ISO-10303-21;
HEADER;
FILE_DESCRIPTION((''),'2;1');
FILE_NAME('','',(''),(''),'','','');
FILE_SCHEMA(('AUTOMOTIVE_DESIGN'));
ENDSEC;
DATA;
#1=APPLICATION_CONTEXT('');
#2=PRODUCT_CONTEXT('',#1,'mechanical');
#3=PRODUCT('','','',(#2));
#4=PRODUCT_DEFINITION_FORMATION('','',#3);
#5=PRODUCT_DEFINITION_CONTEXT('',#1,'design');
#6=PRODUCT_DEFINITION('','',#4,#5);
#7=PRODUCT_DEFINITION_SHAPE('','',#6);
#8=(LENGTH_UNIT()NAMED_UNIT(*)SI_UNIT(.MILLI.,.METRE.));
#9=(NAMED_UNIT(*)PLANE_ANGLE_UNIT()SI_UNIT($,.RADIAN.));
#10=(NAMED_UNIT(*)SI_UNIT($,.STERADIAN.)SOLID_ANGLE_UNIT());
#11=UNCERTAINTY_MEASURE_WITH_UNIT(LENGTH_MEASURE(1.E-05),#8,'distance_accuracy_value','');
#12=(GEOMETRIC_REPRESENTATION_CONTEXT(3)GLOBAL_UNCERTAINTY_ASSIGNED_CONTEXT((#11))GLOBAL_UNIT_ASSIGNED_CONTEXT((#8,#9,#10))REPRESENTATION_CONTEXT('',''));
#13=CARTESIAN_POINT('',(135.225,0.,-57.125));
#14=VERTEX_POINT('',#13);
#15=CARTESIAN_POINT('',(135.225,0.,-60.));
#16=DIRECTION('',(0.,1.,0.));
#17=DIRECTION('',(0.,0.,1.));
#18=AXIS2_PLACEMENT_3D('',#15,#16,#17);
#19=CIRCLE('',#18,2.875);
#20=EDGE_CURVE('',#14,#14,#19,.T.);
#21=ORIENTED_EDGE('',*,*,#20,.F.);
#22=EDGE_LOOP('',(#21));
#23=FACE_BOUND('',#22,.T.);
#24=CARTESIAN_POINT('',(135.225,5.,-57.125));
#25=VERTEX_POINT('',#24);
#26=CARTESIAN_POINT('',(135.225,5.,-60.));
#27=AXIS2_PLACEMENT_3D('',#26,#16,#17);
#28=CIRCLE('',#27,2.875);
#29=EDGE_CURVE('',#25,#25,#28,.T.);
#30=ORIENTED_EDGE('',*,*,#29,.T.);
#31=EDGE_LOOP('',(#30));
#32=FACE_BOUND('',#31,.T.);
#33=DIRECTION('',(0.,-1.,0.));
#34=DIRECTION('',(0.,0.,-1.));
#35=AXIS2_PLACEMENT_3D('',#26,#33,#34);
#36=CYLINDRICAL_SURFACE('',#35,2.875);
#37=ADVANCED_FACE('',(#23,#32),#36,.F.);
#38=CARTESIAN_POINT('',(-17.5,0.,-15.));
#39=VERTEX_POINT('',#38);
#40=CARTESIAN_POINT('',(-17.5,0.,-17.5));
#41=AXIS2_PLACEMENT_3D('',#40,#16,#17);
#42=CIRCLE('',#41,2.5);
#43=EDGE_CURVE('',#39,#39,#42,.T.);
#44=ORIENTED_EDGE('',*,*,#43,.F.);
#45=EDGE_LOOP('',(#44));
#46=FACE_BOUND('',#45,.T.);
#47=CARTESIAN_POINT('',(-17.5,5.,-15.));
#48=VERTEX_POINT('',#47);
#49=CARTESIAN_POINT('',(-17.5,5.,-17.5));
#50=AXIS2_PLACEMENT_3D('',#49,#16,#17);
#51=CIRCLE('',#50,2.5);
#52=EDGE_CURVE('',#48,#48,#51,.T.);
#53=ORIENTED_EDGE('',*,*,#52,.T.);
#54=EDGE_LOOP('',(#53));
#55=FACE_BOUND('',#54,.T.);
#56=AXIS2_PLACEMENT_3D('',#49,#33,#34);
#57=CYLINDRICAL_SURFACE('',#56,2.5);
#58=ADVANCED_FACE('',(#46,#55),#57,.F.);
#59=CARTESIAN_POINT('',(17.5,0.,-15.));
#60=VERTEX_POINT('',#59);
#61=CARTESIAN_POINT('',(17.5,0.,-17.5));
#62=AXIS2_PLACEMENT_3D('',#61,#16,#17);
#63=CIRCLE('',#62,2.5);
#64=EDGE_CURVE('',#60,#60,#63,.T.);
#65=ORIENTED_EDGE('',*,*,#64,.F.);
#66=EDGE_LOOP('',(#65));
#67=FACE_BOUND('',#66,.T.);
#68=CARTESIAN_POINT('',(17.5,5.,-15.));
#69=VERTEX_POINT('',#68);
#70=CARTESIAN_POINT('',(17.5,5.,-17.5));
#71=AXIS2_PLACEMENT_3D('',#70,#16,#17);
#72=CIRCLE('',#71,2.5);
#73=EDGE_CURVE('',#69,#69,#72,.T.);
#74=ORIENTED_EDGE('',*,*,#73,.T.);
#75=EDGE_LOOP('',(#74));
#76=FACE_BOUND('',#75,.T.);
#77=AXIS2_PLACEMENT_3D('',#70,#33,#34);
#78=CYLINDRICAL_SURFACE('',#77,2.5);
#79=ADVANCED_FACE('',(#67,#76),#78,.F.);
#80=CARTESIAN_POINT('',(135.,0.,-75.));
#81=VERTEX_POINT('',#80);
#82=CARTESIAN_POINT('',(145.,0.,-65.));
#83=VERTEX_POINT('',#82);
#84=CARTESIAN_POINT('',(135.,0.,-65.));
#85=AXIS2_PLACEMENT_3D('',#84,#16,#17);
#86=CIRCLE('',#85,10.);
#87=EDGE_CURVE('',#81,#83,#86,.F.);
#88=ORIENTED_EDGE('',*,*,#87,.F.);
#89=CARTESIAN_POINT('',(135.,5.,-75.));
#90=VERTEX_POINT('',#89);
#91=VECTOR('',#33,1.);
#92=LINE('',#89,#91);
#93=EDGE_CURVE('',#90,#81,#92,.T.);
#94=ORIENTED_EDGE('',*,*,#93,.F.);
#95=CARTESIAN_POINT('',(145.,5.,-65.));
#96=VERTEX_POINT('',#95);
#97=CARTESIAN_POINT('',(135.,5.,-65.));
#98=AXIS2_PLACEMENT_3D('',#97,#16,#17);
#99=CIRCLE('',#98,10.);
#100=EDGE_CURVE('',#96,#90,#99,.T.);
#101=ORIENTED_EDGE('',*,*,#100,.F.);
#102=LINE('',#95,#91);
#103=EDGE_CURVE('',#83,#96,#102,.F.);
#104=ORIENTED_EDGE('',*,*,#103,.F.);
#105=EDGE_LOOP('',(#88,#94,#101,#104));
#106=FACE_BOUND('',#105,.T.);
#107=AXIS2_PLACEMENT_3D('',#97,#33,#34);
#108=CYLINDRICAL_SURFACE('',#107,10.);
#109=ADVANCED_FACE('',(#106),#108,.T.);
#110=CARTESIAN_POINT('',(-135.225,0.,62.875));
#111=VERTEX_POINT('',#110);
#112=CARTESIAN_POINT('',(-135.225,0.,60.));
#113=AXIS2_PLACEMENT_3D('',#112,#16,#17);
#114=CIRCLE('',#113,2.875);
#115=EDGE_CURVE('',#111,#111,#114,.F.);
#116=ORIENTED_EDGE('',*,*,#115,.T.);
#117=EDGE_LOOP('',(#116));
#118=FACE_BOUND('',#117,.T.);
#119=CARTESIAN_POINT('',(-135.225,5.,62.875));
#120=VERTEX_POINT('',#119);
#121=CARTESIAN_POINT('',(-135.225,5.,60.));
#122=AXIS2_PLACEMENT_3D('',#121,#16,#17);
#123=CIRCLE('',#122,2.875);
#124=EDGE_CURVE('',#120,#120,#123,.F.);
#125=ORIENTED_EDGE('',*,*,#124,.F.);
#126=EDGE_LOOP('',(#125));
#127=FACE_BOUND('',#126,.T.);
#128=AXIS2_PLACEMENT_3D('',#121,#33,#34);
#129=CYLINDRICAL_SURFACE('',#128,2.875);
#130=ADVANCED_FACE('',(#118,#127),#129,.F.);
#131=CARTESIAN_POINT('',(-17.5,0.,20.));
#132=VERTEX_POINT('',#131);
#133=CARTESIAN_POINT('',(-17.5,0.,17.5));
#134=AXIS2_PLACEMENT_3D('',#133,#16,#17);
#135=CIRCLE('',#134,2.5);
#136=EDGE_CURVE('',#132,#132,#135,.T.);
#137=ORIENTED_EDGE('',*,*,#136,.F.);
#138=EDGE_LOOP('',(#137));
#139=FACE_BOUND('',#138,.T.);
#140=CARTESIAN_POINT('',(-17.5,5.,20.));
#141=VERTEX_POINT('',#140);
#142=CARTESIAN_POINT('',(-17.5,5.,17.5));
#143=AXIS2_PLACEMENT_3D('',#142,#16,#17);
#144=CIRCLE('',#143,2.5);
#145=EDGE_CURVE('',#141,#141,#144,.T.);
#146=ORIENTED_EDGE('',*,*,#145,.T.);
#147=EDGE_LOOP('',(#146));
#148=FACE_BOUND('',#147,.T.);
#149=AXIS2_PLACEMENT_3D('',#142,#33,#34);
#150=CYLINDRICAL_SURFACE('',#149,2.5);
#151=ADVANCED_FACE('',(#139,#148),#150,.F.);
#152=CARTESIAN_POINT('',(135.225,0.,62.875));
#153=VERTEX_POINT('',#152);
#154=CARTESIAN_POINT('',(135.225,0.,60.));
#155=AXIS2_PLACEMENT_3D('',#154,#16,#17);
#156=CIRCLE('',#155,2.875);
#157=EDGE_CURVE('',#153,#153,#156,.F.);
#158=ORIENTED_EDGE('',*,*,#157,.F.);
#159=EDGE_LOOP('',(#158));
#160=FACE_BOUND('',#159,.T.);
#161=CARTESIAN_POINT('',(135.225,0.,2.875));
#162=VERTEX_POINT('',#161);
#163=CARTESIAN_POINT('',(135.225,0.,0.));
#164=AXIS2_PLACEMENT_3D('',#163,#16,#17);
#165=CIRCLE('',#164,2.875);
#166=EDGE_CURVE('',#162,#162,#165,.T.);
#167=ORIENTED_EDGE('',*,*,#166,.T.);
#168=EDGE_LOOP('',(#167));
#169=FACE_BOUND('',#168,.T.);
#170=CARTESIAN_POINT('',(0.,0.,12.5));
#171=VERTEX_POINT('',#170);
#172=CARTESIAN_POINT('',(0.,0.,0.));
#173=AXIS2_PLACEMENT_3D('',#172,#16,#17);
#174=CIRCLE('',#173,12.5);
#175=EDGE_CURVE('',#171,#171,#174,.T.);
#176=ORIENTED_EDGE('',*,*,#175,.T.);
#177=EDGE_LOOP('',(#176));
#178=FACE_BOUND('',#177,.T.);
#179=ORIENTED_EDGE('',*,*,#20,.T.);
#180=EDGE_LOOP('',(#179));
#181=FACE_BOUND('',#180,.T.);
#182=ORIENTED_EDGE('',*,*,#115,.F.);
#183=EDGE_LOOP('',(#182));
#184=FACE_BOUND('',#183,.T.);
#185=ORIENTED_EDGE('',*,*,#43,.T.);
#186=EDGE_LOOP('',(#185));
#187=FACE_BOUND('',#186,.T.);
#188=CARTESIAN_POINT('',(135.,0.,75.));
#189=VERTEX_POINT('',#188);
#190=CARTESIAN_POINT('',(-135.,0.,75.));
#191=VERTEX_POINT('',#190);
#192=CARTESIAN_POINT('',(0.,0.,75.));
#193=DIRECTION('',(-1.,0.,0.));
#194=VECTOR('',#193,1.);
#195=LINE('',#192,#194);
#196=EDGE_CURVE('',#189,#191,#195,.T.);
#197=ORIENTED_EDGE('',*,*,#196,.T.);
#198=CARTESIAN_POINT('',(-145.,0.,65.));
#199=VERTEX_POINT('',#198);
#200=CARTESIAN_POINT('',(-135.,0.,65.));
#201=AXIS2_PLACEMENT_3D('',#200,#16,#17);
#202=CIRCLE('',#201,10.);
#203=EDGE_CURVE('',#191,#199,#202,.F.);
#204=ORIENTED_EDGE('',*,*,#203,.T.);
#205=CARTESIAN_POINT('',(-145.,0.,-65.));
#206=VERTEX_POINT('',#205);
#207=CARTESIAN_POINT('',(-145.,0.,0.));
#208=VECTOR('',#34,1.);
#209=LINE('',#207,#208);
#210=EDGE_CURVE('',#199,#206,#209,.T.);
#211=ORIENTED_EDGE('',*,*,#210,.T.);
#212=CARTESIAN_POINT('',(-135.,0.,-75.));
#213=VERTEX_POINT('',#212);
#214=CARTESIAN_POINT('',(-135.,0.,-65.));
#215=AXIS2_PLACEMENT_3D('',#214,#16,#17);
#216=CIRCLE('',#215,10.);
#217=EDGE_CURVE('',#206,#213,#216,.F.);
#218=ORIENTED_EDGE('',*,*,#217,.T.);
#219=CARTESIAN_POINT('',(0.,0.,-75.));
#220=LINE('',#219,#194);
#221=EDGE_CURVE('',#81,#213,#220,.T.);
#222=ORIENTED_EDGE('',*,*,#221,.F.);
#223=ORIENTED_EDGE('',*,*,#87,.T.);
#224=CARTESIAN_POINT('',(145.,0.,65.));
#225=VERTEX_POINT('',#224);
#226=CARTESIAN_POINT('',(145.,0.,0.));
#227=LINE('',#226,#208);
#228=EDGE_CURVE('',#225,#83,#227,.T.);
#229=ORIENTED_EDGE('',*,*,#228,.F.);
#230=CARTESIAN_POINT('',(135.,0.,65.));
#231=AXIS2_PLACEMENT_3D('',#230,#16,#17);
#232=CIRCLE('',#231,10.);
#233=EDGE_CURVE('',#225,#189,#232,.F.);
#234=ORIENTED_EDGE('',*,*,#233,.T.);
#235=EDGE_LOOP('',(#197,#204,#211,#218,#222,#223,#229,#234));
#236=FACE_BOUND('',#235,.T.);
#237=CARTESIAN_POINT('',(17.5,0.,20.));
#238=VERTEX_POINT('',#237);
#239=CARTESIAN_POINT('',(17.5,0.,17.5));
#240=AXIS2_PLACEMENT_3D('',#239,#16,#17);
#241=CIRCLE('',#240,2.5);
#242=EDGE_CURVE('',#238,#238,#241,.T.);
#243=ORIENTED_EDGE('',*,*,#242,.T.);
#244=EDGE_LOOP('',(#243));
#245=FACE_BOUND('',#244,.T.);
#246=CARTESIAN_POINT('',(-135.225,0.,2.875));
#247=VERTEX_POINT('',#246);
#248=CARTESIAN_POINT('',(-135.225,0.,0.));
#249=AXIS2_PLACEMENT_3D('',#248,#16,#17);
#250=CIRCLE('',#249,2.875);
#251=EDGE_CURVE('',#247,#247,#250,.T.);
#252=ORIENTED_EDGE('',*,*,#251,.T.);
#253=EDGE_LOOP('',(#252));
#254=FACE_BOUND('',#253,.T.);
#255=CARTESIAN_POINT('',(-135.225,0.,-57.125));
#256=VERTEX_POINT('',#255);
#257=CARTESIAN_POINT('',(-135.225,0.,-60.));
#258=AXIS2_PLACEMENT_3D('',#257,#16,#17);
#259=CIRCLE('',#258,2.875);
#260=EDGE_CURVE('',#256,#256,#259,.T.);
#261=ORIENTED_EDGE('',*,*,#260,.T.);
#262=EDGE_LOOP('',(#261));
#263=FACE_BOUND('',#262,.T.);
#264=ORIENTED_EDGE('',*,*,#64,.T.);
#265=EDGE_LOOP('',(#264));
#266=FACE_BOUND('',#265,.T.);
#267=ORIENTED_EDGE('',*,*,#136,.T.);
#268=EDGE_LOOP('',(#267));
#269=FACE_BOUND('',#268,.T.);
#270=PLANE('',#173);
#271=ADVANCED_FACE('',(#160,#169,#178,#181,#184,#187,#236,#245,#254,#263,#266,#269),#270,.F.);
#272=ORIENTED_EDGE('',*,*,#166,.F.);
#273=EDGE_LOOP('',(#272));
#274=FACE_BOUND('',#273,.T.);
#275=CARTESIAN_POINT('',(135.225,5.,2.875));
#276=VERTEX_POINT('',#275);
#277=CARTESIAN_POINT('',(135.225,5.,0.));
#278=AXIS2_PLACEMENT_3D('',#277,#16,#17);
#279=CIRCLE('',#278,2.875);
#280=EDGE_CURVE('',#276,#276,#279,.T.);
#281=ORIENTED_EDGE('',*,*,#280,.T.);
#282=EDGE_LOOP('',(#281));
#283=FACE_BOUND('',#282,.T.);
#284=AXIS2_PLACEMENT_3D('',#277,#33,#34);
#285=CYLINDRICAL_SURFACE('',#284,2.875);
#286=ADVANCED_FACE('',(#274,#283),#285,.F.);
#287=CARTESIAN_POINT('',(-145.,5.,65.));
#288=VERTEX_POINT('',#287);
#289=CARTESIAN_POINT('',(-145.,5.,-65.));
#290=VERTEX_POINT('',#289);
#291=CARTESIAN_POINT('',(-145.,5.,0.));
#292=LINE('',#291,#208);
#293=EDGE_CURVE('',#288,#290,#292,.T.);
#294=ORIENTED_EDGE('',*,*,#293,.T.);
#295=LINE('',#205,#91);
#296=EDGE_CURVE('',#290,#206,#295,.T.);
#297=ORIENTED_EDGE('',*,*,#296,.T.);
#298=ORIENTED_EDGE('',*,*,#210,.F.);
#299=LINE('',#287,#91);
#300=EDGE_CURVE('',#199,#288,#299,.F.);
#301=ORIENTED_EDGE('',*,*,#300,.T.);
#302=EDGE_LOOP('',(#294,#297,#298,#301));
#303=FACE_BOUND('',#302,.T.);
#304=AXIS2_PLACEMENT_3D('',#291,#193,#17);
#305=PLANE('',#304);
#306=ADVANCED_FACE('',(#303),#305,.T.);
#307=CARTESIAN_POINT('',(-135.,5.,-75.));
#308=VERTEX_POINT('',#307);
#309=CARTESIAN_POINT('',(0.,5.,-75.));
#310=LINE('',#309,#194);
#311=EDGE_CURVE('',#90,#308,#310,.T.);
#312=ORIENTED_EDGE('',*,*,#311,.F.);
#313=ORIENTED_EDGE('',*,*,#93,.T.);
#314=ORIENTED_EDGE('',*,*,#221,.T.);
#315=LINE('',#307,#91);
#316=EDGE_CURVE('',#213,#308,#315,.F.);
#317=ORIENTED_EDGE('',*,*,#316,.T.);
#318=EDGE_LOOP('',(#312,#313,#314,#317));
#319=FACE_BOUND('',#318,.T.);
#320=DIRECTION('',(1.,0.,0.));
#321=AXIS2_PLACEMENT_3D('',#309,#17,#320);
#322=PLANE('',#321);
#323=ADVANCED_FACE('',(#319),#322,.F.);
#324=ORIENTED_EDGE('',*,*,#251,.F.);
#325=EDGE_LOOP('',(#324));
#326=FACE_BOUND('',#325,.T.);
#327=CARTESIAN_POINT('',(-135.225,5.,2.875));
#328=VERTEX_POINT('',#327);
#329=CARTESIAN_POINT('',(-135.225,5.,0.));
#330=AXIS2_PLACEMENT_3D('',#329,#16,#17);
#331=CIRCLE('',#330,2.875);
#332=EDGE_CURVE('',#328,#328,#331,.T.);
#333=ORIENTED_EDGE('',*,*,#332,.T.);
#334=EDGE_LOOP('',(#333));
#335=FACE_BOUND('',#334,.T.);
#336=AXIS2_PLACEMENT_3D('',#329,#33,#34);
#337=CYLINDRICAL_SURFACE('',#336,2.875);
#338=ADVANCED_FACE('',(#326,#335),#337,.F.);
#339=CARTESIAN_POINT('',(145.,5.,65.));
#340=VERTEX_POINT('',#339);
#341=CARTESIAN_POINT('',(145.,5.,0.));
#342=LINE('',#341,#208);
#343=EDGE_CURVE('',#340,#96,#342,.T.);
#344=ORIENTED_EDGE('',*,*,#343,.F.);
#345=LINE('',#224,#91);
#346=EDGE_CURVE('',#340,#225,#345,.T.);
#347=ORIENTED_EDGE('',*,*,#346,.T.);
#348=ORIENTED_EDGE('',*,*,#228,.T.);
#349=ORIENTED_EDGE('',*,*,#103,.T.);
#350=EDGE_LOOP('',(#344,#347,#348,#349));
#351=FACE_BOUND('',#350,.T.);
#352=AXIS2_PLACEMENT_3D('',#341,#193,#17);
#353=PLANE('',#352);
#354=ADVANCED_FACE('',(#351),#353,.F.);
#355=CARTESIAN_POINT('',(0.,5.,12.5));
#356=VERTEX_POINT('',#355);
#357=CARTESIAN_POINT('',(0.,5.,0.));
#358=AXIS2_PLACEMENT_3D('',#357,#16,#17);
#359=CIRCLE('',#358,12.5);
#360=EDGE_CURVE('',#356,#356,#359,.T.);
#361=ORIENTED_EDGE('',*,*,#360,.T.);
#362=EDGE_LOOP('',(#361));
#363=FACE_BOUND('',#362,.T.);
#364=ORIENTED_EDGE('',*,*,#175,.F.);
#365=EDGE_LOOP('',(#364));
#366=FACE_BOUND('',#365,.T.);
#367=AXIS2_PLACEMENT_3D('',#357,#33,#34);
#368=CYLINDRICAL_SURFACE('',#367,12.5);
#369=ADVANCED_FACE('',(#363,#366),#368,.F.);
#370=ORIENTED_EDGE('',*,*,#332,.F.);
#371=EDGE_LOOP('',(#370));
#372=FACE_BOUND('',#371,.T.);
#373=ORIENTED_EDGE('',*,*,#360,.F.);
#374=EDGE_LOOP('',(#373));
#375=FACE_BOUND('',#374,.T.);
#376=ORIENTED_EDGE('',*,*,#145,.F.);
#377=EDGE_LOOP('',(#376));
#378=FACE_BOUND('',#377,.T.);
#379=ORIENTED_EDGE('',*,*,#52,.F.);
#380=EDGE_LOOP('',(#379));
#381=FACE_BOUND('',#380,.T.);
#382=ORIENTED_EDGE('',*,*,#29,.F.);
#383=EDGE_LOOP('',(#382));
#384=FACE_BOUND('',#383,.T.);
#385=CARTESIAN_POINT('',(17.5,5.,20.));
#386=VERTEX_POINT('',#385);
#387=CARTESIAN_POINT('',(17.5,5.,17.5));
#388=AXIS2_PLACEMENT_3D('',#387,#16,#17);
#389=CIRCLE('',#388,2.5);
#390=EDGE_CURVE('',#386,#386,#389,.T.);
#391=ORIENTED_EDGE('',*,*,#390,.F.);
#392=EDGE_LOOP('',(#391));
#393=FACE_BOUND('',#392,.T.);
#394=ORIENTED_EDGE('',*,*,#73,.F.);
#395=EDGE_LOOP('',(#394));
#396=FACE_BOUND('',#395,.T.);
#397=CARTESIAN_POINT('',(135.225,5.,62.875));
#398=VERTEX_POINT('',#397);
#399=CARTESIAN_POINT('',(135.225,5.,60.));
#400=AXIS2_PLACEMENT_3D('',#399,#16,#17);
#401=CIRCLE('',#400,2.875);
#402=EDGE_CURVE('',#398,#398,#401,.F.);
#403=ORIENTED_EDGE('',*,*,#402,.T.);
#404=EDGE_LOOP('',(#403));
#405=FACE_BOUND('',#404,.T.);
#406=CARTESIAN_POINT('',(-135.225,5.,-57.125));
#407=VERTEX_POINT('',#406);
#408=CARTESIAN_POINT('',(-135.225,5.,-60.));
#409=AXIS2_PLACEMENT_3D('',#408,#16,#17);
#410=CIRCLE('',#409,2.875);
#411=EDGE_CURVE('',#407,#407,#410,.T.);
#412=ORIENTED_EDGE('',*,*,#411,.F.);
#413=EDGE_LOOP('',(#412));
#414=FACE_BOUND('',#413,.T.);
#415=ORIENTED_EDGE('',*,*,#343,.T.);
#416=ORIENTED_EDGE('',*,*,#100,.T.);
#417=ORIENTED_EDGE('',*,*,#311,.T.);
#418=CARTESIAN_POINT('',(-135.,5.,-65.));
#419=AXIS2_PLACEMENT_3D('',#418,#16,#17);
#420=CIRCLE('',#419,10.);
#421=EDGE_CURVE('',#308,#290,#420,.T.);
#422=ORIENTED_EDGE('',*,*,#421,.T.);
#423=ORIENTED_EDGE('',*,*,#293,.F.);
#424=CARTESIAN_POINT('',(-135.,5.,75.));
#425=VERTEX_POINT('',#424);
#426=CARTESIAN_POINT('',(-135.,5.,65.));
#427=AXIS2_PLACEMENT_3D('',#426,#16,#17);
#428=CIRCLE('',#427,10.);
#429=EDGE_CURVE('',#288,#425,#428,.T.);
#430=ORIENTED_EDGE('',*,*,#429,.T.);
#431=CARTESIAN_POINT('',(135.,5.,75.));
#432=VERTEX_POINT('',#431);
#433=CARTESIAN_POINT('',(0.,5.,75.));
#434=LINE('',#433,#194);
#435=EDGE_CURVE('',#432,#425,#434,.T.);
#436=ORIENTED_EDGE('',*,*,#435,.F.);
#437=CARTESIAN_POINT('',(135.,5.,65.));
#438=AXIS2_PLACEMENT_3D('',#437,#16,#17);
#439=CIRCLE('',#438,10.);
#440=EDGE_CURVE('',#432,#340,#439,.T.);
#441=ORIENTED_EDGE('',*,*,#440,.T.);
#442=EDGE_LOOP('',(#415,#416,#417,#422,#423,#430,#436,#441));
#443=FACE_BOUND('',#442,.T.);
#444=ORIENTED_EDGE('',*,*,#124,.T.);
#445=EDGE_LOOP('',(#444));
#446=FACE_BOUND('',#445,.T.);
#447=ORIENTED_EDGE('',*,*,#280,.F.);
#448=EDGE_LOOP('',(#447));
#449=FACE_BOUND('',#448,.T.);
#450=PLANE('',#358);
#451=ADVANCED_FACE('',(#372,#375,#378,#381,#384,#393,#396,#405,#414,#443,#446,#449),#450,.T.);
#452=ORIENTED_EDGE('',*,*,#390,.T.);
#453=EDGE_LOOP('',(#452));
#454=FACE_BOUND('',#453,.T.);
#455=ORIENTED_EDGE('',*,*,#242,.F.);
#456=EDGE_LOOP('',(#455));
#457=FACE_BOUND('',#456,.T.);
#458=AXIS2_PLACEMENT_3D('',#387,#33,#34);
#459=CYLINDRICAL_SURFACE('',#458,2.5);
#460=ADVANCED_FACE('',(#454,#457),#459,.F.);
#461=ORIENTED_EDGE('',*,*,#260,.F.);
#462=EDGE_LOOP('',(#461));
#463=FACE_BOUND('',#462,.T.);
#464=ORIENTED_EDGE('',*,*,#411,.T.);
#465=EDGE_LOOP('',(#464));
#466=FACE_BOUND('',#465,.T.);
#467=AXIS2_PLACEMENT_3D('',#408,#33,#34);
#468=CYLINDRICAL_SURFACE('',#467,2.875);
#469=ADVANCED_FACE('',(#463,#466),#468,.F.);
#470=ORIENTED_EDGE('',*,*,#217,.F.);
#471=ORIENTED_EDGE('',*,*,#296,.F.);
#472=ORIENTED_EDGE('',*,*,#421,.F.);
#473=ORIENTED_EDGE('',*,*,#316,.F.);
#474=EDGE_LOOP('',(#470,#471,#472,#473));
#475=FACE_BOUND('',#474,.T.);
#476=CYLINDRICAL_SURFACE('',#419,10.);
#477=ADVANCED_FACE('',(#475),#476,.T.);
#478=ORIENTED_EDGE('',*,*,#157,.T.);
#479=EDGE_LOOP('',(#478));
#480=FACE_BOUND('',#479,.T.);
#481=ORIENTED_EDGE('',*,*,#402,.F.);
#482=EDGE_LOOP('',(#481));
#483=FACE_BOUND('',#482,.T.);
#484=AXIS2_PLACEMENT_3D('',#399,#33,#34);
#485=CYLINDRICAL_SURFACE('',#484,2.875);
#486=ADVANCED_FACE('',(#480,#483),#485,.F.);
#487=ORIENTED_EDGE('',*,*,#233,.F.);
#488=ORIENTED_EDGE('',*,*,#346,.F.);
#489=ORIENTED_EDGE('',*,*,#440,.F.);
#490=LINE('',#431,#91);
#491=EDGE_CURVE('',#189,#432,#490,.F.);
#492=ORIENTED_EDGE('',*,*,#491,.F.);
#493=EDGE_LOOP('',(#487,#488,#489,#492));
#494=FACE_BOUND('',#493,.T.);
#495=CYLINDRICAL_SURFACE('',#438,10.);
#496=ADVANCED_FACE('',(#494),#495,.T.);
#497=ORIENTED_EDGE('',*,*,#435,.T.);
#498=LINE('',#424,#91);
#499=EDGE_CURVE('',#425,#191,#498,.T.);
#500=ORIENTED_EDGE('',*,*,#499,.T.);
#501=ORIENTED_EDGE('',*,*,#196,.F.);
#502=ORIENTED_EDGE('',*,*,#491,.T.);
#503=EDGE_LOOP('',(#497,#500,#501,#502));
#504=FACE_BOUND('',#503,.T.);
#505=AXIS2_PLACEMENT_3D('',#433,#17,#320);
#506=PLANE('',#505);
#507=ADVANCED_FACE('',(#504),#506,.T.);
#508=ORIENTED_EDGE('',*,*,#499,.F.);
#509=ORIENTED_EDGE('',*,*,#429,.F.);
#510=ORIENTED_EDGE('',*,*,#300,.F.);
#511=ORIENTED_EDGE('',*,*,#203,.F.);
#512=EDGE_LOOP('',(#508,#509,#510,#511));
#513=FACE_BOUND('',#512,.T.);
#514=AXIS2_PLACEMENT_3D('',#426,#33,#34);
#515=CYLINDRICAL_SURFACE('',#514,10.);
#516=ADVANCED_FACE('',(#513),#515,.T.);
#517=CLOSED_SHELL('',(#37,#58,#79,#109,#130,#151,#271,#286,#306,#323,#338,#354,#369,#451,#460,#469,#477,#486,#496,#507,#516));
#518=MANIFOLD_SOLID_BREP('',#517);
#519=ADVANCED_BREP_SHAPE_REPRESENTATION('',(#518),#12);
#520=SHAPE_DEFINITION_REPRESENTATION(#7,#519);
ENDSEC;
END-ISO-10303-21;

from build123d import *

# Parameters (mm, degrees)
SKETCH1_W           = 290
SKETCH1_H           = 150
SKETCH1_R           = 2.875
SKETCH1_R_2         = 12.5
SKETCH1_R_3         = 2.5
BOSS_EXTRUDE2_DEPTH = 5
FILLET1_R           = 10


with BuildPart() as part:
    # Sketch1 → Boss-Extrude2 (new body)
    with BuildSketch(Plane(origin=(0, 0, 0), x_dir=(1, 0, 0), z_dir=(0, 1, 0))):
        Rectangle(SKETCH1_W, SKETCH1_H)
        with Locations((-135.225, 0)):
            Circle(SKETCH1_R, mode=Mode.SUBTRACT)
        with Locations((135.225, 0)):
            Circle(SKETCH1_R, mode=Mode.SUBTRACT)
        with Locations((135.225, 60)):
            Circle(SKETCH1_R, mode=Mode.SUBTRACT)
        with Locations((-135.225, 60)):
            Circle(SKETCH1_R, mode=Mode.SUBTRACT)
        with Locations((-135.225, -60)):
            Circle(SKETCH1_R, mode=Mode.SUBTRACT)
        with Locations((135.225, -60)):
            Circle(SKETCH1_R, mode=Mode.SUBTRACT)
        Circle(SKETCH1_R_2, mode=Mode.SUBTRACT)
        with Locations((-17.5, 17.5)):
            Circle(SKETCH1_R_3, mode=Mode.SUBTRACT)
        with Locations((17.5, 17.5)):
            Circle(SKETCH1_R_3, mode=Mode.SUBTRACT)
        with Locations((17.5, -17.5)):
            Circle(SKETCH1_R_3, mode=Mode.SUBTRACT)
        with Locations((-17.5, -17.5)):
            Circle(SKETCH1_R_3, mode=Mode.SUBTRACT)
    extrude(amount=BOSS_EXTRUDE2_DEPTH)

    # Fillet1
    fillet1_edges = [part.edges().sort_by_distance(p)[0] for p in [
        (-145, 2.5, -75),
        (145, 2.5, -75),
        (145, 2.5, 75),
        (-145, 2.5, 75),
    ]]
    fillet(fillet1_edges, radius=FILLET1_R)


solid = part.part
